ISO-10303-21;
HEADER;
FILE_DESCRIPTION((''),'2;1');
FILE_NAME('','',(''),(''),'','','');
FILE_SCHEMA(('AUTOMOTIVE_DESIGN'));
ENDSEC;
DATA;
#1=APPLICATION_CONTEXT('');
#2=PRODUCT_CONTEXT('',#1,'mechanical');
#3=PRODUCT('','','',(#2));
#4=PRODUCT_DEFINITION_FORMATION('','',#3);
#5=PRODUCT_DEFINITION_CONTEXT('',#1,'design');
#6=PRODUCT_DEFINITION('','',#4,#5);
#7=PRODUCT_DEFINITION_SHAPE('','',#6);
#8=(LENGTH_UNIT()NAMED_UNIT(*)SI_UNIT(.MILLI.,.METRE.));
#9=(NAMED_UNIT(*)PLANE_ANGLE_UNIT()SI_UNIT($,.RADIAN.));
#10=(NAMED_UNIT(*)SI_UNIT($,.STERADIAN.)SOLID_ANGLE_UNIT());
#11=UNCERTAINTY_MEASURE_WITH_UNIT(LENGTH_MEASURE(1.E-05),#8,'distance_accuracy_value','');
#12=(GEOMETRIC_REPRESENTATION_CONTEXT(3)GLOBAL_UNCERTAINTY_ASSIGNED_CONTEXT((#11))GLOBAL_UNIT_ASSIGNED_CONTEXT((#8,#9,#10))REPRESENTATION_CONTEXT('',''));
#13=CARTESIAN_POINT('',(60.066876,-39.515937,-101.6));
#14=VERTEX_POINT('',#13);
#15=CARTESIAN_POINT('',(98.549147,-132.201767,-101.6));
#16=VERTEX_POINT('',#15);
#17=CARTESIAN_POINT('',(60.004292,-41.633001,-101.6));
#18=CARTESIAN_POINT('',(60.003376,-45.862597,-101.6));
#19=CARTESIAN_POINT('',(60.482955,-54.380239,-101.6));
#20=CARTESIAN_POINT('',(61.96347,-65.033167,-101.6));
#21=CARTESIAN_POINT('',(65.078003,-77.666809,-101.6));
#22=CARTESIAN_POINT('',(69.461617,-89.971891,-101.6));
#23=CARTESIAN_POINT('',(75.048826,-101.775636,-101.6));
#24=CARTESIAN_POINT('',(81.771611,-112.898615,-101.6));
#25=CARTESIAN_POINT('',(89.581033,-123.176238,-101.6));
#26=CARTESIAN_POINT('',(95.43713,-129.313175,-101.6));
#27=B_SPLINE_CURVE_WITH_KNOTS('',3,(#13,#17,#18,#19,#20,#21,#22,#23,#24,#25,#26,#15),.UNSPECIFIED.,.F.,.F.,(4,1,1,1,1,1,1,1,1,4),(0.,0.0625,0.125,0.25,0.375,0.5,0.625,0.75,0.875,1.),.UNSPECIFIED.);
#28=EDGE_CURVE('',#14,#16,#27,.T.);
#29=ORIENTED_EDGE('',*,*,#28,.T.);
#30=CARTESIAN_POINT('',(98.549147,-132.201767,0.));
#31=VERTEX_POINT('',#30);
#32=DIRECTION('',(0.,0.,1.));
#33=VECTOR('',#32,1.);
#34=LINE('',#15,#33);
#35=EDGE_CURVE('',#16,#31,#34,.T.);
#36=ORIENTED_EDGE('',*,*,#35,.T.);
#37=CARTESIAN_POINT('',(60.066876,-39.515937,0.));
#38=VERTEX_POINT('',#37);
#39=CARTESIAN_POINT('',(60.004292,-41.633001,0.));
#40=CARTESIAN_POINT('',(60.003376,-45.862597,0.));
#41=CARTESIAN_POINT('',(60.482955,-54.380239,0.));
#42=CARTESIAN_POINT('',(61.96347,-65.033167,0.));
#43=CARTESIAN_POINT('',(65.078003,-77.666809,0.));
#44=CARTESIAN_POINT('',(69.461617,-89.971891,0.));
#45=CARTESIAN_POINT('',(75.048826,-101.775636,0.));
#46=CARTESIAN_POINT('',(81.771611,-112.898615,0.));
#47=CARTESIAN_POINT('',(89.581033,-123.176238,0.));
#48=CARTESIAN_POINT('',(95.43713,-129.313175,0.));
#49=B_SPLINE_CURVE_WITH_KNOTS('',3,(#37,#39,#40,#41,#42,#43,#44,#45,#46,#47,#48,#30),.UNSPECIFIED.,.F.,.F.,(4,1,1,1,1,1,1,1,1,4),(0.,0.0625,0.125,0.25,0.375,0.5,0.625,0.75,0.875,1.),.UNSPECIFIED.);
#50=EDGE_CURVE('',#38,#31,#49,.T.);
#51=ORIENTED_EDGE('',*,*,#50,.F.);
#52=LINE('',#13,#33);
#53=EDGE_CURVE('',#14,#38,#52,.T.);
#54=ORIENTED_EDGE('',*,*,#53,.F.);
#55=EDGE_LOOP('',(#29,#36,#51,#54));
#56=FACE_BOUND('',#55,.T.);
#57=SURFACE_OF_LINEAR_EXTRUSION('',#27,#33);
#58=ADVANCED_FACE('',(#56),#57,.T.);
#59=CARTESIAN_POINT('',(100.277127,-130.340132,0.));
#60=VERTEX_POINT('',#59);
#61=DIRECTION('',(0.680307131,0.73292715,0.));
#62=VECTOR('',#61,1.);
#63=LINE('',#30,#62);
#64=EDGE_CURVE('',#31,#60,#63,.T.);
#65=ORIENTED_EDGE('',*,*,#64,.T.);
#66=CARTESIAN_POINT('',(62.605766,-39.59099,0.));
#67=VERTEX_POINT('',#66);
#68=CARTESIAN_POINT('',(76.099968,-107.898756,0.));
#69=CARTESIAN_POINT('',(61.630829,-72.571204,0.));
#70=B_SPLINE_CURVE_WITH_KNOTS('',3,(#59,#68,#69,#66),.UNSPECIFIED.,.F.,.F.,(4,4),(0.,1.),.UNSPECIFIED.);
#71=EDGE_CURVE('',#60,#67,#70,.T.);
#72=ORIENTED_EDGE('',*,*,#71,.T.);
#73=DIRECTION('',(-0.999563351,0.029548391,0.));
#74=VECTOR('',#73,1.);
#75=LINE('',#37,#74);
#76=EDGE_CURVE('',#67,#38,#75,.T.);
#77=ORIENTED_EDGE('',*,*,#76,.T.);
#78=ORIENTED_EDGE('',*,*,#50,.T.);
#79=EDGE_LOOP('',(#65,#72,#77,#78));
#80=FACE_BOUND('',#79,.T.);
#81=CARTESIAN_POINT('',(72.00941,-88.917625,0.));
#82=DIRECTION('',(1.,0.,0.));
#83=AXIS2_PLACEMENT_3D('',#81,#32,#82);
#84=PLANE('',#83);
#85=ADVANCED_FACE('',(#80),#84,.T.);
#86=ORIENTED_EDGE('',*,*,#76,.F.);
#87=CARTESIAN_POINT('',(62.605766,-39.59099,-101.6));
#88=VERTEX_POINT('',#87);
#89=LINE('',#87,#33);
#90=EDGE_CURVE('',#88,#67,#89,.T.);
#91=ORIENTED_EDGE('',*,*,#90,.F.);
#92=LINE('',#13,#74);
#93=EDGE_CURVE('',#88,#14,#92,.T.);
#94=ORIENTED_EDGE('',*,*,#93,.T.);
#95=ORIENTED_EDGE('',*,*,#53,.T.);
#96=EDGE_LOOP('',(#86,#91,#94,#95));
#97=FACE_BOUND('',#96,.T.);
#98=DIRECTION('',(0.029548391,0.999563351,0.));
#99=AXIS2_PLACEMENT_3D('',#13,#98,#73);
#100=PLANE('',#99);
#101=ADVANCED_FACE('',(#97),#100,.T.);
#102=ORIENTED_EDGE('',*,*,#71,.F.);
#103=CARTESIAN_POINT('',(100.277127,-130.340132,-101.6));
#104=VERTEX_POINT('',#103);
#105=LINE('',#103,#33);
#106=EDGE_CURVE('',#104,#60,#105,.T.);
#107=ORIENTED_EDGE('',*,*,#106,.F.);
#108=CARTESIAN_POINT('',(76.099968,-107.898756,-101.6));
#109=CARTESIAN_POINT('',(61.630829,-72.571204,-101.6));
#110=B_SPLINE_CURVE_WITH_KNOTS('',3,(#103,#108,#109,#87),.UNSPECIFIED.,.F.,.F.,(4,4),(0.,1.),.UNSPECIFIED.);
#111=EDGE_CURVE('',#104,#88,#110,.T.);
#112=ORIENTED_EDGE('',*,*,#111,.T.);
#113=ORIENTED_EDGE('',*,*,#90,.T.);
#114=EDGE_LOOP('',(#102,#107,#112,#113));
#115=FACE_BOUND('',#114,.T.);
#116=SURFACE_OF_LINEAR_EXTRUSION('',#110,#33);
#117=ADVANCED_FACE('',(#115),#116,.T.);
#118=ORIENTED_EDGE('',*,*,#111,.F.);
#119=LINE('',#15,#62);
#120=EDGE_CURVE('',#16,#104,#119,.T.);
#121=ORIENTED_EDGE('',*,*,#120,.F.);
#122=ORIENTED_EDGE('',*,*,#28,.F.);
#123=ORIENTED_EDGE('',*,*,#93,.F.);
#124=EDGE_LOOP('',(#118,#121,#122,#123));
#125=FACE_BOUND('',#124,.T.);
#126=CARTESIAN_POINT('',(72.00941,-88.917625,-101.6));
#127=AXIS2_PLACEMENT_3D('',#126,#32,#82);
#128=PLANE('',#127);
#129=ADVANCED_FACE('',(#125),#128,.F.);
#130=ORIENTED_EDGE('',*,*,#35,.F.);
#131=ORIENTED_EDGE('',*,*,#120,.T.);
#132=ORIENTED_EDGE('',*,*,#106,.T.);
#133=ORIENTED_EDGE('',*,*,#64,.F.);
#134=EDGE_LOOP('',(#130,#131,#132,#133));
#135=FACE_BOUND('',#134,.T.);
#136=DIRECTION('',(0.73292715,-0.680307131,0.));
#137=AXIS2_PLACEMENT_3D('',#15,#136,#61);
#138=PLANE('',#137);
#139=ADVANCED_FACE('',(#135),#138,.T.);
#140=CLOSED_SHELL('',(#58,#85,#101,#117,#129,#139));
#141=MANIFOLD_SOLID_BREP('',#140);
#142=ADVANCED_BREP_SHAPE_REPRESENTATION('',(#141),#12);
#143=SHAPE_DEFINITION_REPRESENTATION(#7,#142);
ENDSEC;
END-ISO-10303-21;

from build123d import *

# Parameters (mm, degrees)
BOSS_EXTRUDE1_DEPTH = 101.6


with BuildPart() as part:
    # Sketch1 → Boss-Extrude1 (new body)
    with BuildSketch(Plane.XY):
        with BuildLine():
            Line((60.066875563, -39.515937039), (62.605766474, -39.590989952))
            add(Edge.make_bspline(
                [(100.277127399, -130.340132391), (76.099968015, -107.898756151), (61.630828527, -72.571203637), (62.605766474, -39.590989952)],
                knots=[0, 0, 0, 0, 1, 1, 1, 1], degree=3))
            Line((100.277127399, -130.340132391), (98.549147287, -132.201767352))
            add(Edge.make_bspline(
                [(98.549147287, -132.201767352), (95.437130018, -129.313175302), (89.581033369, -123.176238056), (81.771611434, -112.898614813), (75.048825569, -101.775636026), (69.461616789, -89.97189143), (65.078002604, -77.666809047), (61.963470194, -65.033167265), (60.48295532, -54.380238589), (60.003375773, -45.862596658), (60.004292397, -41.633001174), (60.066875563, -39.515937039)],
                knots=[0, 0, 0, 0, 0.125, 0.25, 0.375, 0.5, 0.625, 0.75, 0.875, 0.9375, 1, 1, 1, 1], degree=3))
        make_face()
    extrude(amount=-BOSS_EXTRUDE1_DEPTH)


solid = part.part
